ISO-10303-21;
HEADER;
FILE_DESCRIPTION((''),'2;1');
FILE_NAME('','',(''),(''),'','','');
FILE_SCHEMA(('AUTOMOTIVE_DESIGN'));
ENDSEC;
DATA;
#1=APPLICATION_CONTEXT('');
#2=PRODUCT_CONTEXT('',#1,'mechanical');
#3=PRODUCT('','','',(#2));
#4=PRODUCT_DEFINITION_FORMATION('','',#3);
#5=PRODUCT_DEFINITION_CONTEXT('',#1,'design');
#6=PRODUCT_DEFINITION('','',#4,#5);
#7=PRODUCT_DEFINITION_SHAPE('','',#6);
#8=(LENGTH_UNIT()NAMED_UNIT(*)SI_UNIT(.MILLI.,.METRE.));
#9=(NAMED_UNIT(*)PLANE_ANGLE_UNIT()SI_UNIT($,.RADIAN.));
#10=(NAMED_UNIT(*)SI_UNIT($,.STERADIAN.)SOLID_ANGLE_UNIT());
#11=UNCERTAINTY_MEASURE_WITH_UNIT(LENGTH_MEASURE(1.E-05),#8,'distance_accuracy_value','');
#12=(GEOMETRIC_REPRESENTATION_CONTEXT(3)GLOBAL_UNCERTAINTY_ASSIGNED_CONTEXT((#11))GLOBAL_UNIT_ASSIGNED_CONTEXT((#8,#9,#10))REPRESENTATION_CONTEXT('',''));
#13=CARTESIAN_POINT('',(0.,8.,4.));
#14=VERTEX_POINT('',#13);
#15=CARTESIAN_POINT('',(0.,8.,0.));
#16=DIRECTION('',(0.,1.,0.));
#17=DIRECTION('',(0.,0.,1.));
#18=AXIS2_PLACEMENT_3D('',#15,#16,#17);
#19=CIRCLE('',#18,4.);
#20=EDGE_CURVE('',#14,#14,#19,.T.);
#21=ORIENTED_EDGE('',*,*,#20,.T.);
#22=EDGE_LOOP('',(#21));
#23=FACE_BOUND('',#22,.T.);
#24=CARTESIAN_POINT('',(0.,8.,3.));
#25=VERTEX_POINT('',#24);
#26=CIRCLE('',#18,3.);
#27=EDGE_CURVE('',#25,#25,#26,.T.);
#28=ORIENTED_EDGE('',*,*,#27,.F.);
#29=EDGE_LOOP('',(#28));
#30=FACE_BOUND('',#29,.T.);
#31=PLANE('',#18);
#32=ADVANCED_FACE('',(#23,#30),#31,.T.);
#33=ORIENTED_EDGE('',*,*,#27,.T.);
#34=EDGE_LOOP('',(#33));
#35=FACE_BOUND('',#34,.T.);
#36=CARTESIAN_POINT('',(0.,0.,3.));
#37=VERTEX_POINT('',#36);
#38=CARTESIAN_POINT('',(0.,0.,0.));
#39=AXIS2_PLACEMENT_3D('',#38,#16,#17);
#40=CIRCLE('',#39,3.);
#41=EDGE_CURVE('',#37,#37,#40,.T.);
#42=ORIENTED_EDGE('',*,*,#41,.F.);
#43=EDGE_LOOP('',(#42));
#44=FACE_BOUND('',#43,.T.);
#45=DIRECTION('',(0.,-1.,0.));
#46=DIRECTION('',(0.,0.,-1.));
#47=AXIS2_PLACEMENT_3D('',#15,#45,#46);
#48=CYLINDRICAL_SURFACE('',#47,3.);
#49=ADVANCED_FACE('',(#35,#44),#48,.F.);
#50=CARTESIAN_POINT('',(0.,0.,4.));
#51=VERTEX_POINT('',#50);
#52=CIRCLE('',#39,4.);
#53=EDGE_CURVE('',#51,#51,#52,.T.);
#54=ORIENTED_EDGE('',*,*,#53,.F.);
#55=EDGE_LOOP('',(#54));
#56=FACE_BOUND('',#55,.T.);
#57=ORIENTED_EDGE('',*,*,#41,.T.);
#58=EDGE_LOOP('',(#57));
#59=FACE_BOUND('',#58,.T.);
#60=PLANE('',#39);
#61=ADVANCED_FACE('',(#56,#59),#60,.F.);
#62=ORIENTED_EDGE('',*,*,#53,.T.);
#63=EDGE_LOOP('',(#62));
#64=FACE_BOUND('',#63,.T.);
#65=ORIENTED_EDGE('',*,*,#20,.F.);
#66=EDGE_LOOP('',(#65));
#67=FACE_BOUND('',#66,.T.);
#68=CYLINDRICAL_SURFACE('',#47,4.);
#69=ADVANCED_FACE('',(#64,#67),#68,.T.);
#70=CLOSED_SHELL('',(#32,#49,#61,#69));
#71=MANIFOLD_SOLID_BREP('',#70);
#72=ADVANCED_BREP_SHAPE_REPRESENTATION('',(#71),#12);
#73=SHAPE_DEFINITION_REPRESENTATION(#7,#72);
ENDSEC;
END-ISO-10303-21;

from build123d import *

# Parameters (mm, degrees)
SKETCH1_R           = 4
SKETCH1_R_2         = 3
BOSS_EXTRUDE1_DEPTH = 8


with BuildPart() as part:
    # Sketch1 → Boss-Extrude1 (new body)
    with BuildSketch(Plane(origin=(0, 0, 0), x_dir=(1, 0, 0), z_dir=(0, 1, 0))):
        with Locations(Location((0, 0, 0), (0, 0, 270))):
            Circle(SKETCH1_R)
        with Locations(Location((0, 0, 0), (0, 0, 270))):
            Circle(SKETCH1_R_2, mode=Mode.SUBTRACT)
    extrude(amount=BOSS_EXTRUDE1_DEPTH)


solid = part.part
